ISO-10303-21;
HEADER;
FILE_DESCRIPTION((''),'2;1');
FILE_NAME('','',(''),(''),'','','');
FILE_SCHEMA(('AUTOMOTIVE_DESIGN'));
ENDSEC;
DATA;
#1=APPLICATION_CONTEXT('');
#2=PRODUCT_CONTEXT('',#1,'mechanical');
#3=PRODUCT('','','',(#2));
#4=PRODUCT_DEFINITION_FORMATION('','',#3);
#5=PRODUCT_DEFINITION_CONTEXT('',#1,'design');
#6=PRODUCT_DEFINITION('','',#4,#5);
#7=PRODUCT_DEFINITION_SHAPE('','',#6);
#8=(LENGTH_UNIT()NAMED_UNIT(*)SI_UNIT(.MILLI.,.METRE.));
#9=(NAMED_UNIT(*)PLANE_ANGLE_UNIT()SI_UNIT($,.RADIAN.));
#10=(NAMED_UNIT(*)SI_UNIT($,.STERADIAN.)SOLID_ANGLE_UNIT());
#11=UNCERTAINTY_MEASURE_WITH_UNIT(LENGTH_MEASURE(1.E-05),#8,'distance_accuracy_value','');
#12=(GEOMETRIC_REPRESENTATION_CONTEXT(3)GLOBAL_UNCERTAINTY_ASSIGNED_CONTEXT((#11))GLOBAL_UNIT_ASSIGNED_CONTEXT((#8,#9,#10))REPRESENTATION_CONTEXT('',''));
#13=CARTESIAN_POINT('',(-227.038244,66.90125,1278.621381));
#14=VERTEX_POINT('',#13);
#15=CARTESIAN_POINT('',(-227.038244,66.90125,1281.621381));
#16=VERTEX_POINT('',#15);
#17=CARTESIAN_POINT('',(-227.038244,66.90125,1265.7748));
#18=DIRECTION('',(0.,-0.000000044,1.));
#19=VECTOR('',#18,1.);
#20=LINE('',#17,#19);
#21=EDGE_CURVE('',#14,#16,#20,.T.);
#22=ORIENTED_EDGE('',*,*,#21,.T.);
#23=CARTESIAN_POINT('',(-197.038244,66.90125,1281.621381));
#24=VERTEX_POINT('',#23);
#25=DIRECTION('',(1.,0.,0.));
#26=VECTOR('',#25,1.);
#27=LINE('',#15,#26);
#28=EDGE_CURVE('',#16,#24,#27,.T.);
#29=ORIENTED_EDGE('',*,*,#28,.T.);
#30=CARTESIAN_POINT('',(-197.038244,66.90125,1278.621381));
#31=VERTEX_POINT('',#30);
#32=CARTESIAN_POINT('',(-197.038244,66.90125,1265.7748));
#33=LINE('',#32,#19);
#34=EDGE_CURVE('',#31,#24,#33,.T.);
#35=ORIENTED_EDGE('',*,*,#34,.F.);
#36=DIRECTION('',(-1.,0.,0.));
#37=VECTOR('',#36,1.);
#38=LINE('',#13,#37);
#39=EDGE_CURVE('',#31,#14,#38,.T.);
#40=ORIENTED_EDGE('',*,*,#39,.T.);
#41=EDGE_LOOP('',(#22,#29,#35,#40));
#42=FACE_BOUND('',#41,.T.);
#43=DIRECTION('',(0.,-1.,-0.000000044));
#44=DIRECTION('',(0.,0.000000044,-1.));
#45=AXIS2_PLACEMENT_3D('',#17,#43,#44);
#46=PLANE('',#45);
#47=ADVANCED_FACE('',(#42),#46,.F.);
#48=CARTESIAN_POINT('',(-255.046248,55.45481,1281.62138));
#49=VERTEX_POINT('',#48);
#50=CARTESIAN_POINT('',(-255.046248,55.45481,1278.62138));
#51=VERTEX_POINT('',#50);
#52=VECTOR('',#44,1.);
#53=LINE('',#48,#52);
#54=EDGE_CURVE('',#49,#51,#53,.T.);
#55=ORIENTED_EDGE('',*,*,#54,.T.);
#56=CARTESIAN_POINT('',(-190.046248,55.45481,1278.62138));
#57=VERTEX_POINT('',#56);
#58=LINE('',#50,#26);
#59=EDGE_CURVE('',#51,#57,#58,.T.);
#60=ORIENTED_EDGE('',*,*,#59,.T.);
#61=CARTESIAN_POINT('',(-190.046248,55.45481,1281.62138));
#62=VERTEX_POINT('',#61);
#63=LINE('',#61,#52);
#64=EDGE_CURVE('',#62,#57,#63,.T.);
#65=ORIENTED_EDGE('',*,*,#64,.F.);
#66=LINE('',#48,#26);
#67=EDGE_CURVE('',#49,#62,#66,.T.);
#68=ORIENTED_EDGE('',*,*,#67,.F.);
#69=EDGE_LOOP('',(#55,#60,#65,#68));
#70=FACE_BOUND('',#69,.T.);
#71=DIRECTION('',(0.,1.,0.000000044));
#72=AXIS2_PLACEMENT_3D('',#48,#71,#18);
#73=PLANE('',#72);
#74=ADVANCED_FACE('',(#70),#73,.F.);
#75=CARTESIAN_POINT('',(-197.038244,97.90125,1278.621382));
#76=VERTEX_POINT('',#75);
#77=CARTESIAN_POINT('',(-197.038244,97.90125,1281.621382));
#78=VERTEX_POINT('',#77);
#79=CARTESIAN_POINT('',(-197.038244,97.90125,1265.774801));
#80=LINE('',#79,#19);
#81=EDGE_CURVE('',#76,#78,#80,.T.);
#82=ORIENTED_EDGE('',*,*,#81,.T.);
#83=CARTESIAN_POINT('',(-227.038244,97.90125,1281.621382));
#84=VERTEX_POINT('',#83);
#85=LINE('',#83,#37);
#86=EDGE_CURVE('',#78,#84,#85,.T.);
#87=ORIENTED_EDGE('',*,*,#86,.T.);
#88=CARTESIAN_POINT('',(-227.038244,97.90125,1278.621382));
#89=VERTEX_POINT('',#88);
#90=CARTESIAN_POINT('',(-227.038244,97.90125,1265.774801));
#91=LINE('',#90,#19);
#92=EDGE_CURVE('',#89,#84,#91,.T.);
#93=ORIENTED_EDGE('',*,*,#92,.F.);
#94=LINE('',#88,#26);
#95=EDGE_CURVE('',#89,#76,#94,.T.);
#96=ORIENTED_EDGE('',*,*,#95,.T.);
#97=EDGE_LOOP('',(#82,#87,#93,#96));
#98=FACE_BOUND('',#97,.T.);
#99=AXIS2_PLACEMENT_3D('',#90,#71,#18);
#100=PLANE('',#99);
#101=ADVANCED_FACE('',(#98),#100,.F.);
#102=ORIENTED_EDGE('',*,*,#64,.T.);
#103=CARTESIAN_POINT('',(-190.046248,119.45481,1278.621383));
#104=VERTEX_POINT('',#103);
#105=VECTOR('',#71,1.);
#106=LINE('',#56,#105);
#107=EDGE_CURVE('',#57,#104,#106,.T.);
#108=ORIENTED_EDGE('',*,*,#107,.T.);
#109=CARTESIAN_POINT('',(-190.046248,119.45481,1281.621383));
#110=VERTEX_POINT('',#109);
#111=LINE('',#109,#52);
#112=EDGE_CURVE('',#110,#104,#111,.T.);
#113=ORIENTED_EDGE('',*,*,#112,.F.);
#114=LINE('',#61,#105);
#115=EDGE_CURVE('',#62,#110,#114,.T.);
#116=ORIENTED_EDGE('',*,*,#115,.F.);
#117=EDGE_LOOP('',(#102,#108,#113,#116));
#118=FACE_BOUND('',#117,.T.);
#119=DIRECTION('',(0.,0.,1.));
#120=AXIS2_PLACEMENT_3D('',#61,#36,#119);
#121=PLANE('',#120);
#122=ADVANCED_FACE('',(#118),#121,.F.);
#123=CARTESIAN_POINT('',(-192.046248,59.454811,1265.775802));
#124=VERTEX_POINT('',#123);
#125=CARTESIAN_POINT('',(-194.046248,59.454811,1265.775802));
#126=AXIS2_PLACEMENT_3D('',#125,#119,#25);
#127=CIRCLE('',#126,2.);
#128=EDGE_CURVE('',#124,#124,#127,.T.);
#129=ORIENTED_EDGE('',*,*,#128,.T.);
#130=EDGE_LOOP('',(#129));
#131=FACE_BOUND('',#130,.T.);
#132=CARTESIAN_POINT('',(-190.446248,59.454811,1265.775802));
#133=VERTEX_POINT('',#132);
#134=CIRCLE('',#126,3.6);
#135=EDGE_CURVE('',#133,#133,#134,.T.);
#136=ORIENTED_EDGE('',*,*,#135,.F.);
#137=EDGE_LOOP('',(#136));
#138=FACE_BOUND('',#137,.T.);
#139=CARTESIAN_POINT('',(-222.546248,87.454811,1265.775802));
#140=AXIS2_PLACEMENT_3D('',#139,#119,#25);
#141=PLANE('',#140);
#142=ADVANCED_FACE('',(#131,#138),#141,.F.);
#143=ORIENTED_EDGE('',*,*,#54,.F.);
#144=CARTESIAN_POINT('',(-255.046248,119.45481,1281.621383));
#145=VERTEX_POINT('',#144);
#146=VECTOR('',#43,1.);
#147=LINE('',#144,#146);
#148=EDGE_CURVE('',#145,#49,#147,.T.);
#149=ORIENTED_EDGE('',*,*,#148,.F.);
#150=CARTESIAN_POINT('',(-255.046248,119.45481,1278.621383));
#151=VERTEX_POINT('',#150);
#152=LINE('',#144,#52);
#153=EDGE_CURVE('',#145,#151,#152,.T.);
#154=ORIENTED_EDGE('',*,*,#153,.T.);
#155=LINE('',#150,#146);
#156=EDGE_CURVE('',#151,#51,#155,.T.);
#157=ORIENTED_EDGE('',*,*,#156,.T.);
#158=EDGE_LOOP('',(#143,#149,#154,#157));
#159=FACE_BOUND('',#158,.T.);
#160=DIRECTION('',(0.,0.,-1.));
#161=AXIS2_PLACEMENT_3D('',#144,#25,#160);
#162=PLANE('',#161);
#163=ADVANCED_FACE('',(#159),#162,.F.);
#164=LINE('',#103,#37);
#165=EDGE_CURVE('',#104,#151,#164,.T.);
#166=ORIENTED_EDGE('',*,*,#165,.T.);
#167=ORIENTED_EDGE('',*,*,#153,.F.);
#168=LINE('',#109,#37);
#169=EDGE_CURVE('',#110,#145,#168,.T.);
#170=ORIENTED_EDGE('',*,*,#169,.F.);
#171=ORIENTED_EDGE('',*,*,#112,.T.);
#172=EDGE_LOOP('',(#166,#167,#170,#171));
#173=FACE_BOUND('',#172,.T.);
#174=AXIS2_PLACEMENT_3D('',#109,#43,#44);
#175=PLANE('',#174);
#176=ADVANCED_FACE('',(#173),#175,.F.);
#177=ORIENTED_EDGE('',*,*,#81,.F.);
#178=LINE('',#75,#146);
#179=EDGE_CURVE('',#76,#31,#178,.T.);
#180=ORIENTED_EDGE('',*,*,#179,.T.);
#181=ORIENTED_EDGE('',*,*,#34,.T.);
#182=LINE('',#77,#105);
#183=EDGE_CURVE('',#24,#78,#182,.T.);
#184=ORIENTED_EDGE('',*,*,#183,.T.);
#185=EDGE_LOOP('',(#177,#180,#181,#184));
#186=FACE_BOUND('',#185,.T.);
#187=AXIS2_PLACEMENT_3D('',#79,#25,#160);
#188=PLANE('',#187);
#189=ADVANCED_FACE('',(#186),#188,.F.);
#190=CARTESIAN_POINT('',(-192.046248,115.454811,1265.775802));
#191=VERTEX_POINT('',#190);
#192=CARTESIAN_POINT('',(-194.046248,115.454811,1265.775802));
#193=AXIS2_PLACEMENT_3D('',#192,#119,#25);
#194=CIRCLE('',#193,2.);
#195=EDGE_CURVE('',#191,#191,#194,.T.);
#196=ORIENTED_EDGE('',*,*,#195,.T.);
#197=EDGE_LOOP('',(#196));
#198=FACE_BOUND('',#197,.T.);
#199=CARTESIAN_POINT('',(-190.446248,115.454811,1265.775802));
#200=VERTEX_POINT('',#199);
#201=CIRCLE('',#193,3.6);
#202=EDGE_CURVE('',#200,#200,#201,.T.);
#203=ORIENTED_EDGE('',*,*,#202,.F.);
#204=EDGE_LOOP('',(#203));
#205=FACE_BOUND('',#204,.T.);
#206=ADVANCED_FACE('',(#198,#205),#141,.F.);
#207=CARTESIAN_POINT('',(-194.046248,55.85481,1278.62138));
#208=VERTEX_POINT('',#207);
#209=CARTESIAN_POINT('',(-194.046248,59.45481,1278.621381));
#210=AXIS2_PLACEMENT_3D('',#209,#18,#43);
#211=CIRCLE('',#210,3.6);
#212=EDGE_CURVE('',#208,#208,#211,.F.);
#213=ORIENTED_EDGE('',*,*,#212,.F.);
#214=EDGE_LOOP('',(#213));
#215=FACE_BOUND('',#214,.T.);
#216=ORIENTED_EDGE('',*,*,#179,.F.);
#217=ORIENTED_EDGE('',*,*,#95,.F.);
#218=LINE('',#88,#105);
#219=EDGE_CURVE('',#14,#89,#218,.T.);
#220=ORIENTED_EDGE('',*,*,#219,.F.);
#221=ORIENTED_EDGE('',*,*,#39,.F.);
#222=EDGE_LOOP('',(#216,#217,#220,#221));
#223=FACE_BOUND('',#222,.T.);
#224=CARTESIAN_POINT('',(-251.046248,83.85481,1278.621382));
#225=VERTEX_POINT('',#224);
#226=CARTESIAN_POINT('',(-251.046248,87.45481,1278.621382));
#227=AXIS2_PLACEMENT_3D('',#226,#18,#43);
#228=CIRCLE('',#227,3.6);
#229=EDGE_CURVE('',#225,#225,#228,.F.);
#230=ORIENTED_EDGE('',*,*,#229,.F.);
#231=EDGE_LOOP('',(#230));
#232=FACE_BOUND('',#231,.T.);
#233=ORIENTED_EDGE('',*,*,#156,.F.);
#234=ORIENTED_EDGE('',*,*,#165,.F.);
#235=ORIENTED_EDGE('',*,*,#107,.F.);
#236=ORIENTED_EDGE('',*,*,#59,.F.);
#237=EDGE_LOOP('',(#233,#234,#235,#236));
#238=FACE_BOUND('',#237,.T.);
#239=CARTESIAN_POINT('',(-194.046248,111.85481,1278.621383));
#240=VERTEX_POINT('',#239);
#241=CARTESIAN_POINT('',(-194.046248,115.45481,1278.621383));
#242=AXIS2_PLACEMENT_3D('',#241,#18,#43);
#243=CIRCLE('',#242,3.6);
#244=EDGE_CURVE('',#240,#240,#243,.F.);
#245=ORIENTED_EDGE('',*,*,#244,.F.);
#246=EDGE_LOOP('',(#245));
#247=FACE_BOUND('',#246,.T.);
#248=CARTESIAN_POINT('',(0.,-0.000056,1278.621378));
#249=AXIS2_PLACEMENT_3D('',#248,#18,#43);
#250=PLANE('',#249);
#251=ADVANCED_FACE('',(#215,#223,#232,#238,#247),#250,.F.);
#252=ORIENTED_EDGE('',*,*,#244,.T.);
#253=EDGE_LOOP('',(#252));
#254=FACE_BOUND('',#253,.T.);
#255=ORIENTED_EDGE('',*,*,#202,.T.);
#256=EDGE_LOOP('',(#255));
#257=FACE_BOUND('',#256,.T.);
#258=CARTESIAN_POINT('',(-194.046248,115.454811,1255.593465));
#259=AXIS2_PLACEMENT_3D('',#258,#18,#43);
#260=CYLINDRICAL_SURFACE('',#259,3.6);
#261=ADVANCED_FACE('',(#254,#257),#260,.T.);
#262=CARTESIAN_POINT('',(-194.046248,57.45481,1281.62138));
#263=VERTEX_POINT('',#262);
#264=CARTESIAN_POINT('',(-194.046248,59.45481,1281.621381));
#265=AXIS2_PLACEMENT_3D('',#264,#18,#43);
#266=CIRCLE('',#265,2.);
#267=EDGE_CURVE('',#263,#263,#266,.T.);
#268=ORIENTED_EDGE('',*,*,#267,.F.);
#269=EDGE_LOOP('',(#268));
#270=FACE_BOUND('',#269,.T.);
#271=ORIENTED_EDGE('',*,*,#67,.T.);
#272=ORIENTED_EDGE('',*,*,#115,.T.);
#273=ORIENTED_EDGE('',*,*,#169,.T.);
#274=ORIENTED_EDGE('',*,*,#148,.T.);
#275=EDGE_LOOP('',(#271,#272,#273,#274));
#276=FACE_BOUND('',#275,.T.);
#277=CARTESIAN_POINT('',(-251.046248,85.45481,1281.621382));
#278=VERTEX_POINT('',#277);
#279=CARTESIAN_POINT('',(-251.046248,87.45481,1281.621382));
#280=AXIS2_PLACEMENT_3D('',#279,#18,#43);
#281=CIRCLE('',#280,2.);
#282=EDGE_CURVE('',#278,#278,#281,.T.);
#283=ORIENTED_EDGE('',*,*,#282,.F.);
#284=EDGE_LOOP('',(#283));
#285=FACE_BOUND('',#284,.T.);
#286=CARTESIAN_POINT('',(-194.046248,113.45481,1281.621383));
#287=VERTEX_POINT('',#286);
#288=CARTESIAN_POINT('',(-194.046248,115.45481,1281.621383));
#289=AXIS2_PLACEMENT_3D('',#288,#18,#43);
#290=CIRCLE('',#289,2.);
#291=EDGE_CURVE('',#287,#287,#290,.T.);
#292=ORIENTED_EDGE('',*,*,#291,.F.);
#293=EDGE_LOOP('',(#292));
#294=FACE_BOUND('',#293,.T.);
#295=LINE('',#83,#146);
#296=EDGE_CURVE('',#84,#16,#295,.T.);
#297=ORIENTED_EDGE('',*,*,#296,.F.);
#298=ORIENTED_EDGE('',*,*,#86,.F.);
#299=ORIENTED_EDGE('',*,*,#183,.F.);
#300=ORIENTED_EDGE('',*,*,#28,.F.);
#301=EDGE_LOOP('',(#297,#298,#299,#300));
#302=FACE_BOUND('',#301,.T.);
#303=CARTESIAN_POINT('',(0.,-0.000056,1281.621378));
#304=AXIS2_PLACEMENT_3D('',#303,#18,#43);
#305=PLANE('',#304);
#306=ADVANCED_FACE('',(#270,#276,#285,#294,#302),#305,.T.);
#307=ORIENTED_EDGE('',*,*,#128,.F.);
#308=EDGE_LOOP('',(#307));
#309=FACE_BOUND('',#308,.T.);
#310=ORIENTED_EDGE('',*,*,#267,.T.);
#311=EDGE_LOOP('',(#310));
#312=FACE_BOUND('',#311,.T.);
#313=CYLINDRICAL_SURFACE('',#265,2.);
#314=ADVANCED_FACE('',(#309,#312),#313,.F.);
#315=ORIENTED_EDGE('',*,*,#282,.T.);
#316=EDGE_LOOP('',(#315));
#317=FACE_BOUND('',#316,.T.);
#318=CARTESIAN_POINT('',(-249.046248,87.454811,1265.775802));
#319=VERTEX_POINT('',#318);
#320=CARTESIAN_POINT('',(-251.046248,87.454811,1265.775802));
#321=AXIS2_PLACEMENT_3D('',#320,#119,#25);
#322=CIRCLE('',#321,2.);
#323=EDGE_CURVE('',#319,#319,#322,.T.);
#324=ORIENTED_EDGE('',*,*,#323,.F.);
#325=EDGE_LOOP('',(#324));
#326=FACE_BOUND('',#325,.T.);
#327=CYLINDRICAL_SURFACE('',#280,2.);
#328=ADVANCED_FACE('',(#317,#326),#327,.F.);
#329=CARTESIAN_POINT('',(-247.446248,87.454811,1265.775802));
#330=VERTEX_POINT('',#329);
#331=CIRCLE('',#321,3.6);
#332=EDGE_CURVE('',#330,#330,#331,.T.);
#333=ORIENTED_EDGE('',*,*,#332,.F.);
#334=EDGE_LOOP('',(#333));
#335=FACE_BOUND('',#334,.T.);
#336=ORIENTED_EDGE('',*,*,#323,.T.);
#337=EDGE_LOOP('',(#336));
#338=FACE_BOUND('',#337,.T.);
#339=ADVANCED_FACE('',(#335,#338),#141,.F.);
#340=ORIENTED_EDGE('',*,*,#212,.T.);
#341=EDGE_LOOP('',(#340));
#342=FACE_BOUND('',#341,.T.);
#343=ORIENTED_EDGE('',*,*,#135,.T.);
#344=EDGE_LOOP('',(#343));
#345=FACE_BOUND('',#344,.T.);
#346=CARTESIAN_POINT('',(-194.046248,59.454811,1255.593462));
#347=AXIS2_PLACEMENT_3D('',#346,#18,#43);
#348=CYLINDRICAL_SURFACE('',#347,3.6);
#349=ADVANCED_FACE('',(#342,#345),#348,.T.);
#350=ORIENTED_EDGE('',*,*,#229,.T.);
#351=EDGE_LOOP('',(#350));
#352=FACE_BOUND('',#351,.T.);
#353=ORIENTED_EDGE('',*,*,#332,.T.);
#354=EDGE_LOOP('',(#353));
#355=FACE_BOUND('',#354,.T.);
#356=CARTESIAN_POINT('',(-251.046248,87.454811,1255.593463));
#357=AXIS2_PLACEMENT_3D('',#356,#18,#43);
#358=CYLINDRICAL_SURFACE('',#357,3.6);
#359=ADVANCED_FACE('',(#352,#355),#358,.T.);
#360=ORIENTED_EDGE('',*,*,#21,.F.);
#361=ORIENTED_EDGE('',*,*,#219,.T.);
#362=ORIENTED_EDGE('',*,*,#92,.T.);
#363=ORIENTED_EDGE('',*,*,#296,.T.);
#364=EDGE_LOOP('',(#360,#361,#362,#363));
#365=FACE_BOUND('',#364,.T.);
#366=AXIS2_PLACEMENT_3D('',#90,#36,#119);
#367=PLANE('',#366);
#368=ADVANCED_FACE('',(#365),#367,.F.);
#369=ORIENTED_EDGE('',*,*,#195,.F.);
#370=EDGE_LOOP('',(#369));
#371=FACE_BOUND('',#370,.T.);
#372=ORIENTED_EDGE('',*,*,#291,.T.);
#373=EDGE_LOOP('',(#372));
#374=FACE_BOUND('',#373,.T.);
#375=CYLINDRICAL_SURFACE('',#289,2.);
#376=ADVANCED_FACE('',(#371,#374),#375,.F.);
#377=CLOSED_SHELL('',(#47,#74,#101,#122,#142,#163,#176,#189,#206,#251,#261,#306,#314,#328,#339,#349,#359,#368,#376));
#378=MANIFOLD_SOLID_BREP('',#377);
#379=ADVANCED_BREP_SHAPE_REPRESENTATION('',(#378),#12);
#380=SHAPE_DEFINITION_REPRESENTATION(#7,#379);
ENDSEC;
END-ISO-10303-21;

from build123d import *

# Parameters (mm, degrees)
SKETCH1_W             = 65
SKETCH1_H             = 64
BOSS_EXTRUDE1_DEPTH   = 3
F_4_0MM_DOWEL_HOLE1_D = 4
BOSS_EXTRUDE2_START   = 12.845580916
SKETCH4_R             = 3.6
SKETCH4_R_2           = 2
BOSS_EXTRUDE2_DEPTH   = 12.845580916
CUT_EXTRUDE4_REACH    = 284.08
SKETCH5_W             = 30
SKETCH5_H             = 31


with BuildPart() as part:
    # Sketch1 → Boss-Extrude1 (new body)
    with BuildSketch(Plane(origin=(0, -5.589e-05, 1278.621377902), x_dir=(1, 0, 0), z_dir=(0, -4.371138800000001e-08, 0.999999999999999))):
        with Locations((-222.546248068, 87.454866132)):
            Rectangle(SKETCH1_W, SKETCH1_H)
    extrude(amount=BOSS_EXTRUDE1_DEPTH)

    # Ø4.0mm Dowel Hole1 (through all)
    with Locations(Plane(origin=(0, -5.6021e-05, 1281.621377902), x_dir=(-1, 0, 0), z_dir=(0, -4.371138867531602e-08, 0.999999999999999))):
        with Locations((251.046248068, -87.454866132), (194.046248068, -115.454866132), (194.046248068, -59.454866132)):
            Hole(F_4_0MM_DOWEL_HOLE1_D / 2)

    # Sketch4 → Boss-Extrude2 (add)
    # profile 1 of 3: a face of its own
    with BuildSketch(Plane(origin=(0, -5.589e-05, 1278.621377902), x_dir=(-1, 0, 0), z_dir=(0, 4.371138867531603e-08, -0.9999999999999991)).offset(BOSS_EXTRUDE2_START)):
        with Locations(Location((194.046248068, 115.454866132, 0), (0, 0, 270))):
            Circle(SKETCH4_R)
        with Locations(Location((194.046248068, 115.454866132, 0), (0, 0, 270))):
            Circle(SKETCH4_R_2, mode=Mode.SUBTRACT)
    # profile 2 of 3: a face of its own
    with BuildSketch(Plane(origin=(0, -5.589e-05, 1278.621377902), x_dir=(-1, 0, 0), z_dir=(0, 4.371138867531603e-08, -0.9999999999999991)).offset(BOSS_EXTRUDE2_START)):
        with Locations(Location((251.046248068, 87.454866132, 0), (0, 0, 270))):
            Circle(SKETCH4_R)
        with Locations(Location((251.046248068, 87.454866132, 0), (0, 0, 270))):
            Circle(SKETCH4_R_2, mode=Mode.SUBTRACT)
    # profile 3 of 3: a face of its own
    with BuildSketch(Plane(origin=(0, -5.589e-05, 1278.621377902), x_dir=(-1, 0, 0), z_dir=(0, 4.371138867531603e-08, -0.9999999999999991)).offset(BOSS_EXTRUDE2_START)):
        with Locations(Location((194.046248068, 59.454866132, 0), (0, 0, 270))):
            Circle(SKETCH4_R)
        with Locations(Location((194.046248068, 59.454866132, 0), (0, 0, 270))):
            Circle(SKETCH4_R_2, mode=Mode.SUBTRACT)
    extrude(amount=-BOSS_EXTRUDE2_DEPTH)

    # Sketch5 → Cut-Extrude4 (cut, up to next)
    with BuildSketch(Plane(origin=(0, -5.6021e-05, 1281.621377902), x_dir=(1, 0, 0), z_dir=(0, -4.371138867531602e-08, 0.999999999999999)), mode=Mode.PRIVATE) as cut_extrude4_sk1:
        with Locations((-212.038243782, 82.401305574)):
            Rectangle(SKETCH5_W, SKETCH5_H)
    cut_extrude4_tool1 = extrude(cut_extrude4_sk1.sketch, amount=-CUT_EXTRUDE4_REACH, mode=Mode.PRIVATE) & part.part
    add(cut_extrude4_tool1.solids().sort_by_distance((-212.038244, 82.40125, 1281.621382))[0], mode=Mode.SUBTRACT)


solid = part.part
